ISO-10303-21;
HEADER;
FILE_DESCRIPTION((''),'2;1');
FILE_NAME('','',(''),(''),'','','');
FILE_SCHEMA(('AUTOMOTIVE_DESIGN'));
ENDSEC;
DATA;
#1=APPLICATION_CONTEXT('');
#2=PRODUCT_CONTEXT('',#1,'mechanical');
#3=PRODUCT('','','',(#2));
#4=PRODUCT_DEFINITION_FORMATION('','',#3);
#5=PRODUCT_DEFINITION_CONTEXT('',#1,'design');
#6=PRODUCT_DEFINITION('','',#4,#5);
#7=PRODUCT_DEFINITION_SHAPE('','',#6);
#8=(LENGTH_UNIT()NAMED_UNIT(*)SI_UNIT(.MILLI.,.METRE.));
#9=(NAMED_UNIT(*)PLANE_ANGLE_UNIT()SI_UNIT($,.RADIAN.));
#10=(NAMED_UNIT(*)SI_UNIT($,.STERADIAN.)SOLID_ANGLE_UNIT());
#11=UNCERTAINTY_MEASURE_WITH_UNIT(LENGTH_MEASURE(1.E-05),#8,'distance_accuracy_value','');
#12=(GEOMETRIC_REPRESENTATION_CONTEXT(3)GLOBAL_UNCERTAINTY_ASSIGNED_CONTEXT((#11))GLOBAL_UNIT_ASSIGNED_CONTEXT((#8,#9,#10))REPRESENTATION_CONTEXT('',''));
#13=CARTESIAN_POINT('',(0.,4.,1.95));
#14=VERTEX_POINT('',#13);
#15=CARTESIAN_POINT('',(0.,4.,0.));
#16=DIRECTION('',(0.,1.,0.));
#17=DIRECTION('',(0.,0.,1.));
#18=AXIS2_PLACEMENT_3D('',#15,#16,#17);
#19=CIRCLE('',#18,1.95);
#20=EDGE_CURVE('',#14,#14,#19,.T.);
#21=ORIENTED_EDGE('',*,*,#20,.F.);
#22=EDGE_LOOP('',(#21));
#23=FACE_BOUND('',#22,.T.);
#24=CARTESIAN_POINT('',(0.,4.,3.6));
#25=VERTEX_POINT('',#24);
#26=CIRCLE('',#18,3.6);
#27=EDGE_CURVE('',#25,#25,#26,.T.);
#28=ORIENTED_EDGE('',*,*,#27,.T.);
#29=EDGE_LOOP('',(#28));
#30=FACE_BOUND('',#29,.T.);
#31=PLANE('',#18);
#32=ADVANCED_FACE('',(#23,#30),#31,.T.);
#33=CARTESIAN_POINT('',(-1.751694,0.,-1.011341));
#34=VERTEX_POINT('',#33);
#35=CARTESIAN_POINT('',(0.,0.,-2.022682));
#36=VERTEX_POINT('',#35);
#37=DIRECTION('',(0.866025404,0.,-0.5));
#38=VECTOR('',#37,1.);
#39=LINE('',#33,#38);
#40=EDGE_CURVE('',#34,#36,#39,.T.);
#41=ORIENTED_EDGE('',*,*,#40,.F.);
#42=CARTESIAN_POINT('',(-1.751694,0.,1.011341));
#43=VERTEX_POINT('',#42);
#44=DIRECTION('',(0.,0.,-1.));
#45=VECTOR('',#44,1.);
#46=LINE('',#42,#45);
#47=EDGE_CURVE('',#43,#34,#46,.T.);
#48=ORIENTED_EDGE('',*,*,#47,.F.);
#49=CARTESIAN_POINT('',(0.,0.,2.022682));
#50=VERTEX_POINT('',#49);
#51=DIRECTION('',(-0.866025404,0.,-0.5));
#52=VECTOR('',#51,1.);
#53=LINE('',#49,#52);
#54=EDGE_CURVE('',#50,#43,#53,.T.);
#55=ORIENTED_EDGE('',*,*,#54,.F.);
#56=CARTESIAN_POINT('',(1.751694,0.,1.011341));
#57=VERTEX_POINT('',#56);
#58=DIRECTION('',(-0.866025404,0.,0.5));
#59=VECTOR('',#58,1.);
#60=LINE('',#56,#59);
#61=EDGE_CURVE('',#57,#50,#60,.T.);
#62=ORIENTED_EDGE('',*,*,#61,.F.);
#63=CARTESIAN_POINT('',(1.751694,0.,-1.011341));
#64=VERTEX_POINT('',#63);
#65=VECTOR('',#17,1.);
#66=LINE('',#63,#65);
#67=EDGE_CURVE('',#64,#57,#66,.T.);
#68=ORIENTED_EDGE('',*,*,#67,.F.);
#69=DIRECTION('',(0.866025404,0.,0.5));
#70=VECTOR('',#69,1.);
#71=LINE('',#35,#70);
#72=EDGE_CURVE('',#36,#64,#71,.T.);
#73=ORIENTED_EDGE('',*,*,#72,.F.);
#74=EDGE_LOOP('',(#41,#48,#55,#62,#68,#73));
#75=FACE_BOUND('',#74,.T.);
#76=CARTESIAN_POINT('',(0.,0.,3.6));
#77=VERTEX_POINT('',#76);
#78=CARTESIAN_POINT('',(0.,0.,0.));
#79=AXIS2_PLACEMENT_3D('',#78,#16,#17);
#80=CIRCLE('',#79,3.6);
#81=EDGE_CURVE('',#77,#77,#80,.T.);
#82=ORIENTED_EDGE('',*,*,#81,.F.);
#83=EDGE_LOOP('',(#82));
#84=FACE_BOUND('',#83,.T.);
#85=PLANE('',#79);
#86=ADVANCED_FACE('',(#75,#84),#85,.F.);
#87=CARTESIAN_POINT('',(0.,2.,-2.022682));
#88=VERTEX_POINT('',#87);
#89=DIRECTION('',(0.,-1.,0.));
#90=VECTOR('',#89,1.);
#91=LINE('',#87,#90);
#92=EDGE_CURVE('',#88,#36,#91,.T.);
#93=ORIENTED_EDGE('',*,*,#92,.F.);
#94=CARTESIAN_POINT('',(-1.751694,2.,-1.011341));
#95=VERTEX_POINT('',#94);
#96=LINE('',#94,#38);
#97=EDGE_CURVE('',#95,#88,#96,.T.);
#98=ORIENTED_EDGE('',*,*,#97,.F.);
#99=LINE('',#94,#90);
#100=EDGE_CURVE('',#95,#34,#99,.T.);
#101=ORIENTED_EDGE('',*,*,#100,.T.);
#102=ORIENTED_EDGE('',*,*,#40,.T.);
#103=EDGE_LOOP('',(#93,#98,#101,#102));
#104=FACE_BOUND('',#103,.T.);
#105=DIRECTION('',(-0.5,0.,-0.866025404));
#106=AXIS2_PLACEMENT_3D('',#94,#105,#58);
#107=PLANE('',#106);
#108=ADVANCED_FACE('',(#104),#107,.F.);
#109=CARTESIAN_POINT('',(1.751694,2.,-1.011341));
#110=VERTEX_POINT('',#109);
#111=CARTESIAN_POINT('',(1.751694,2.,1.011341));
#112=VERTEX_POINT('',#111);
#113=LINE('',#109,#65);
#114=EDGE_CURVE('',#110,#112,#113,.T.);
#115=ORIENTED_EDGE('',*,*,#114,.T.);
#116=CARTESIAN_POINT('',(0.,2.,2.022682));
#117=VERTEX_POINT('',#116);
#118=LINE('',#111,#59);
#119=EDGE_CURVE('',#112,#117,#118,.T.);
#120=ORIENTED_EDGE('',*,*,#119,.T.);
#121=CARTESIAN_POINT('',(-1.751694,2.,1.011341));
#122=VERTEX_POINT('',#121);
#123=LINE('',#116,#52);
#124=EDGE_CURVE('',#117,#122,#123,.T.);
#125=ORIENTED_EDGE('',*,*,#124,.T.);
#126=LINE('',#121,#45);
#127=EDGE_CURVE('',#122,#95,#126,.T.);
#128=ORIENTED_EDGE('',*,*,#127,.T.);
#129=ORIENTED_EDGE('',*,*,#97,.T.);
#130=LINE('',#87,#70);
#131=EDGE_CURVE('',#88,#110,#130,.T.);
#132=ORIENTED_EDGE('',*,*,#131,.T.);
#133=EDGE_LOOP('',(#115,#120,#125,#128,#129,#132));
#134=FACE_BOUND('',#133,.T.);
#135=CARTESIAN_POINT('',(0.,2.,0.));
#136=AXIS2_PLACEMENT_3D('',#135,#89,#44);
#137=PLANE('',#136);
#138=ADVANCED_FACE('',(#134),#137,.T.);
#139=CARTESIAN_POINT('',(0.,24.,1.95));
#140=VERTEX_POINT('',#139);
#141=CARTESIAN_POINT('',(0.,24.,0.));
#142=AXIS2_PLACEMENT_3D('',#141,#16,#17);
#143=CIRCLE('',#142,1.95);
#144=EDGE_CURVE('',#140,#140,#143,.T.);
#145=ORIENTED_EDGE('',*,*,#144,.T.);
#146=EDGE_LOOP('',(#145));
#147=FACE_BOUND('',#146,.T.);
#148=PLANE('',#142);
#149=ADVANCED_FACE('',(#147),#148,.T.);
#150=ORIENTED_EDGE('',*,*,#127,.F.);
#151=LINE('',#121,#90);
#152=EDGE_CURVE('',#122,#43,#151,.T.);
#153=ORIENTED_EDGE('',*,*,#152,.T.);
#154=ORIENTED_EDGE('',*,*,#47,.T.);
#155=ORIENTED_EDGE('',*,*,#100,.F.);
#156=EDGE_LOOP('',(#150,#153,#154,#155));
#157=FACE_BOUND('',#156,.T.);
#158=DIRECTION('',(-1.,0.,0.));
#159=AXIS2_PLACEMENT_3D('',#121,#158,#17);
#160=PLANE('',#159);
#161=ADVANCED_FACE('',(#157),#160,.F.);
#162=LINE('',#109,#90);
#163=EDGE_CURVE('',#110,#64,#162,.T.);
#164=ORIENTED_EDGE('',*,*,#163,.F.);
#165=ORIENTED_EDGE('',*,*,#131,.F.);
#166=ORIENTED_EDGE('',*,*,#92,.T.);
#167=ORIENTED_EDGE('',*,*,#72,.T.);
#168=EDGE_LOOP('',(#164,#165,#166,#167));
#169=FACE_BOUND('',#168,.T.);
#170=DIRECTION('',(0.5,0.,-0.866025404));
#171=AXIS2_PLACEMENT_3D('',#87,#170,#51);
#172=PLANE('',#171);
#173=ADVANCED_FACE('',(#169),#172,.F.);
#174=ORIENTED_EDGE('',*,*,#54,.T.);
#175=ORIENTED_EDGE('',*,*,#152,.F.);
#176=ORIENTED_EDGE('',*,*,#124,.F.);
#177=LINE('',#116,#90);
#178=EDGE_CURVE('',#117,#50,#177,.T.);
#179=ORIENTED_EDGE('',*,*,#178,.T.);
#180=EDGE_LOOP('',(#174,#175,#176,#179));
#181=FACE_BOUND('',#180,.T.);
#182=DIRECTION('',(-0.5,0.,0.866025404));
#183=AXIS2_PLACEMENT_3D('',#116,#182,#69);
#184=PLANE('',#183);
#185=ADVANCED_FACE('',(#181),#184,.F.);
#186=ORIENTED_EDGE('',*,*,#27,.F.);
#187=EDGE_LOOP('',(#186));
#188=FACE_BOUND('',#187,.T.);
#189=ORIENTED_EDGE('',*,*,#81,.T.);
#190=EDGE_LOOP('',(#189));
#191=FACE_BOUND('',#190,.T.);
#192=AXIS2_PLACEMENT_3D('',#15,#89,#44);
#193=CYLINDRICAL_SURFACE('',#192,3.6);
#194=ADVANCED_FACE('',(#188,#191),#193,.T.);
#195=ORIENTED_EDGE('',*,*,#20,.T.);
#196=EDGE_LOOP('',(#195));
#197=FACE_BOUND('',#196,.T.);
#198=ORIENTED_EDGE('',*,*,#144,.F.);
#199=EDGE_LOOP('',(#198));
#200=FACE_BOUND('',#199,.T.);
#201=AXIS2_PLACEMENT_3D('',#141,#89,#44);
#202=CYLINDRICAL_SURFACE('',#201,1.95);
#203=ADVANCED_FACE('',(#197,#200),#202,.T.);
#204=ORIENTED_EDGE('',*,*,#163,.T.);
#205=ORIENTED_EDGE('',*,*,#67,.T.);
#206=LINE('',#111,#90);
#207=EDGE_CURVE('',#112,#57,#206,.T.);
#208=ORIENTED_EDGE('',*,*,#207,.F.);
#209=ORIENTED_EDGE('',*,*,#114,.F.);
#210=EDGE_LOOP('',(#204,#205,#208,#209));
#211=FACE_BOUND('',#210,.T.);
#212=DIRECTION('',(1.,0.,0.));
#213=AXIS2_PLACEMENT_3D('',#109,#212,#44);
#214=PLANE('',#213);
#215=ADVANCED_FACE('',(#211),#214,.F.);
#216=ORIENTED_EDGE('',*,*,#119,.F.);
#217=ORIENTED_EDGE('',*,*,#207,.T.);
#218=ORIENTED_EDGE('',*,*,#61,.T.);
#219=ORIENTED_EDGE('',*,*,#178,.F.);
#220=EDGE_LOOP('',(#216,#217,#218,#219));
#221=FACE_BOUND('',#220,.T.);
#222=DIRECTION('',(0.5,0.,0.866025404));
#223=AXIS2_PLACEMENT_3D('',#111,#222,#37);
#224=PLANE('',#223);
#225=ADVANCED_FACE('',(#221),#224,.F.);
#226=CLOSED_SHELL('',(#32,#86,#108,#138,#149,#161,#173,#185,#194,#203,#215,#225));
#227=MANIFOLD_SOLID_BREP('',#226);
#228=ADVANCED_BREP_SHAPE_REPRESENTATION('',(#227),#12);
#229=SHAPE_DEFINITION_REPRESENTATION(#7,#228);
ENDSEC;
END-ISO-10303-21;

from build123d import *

# Parameters (mm, degrees)
SKETCH1_R           = 3.6
BOSS_EXTRUDE1_DEPTH = 4
SKETCH2_R           = 1.95
BOSS_EXTRUDE2_DEPTH = 20
CUT_EXTRUDE1_DEPTH  = 2


with BuildPart() as part:
    # Sketch1 → Boss-Extrude1 (new body)
    with BuildSketch(Plane(origin=(0, 0, 0), x_dir=(1, 0, 0), z_dir=(0, 1, 0))):
        Circle(SKETCH1_R)
    extrude(amount=BOSS_EXTRUDE1_DEPTH)

    # Sketch2 → Boss-Extrude2 (add)
    with BuildSketch(Plane(origin=(0, 4, 0), x_dir=(1, 0, 0), z_dir=(0, 1, 0))):
        Circle(SKETCH2_R)
    extrude(amount=BOSS_EXTRUDE2_DEPTH)

    # Sketch3 → Cut-Extrude1 (cut)
    with BuildSketch(Plane.XZ):
        Polygon((0, 2.022681568), (-1.751693621, 1.011340784), (-1.751693621, -1.011340784), (0, -2.022681568), (1.751693621, -1.011340784), (1.751693621, 1.011340784), align=None)
    extrude(amount=-CUT_EXTRUDE1_DEPTH, mode=Mode.SUBTRACT)


solid = part.part
